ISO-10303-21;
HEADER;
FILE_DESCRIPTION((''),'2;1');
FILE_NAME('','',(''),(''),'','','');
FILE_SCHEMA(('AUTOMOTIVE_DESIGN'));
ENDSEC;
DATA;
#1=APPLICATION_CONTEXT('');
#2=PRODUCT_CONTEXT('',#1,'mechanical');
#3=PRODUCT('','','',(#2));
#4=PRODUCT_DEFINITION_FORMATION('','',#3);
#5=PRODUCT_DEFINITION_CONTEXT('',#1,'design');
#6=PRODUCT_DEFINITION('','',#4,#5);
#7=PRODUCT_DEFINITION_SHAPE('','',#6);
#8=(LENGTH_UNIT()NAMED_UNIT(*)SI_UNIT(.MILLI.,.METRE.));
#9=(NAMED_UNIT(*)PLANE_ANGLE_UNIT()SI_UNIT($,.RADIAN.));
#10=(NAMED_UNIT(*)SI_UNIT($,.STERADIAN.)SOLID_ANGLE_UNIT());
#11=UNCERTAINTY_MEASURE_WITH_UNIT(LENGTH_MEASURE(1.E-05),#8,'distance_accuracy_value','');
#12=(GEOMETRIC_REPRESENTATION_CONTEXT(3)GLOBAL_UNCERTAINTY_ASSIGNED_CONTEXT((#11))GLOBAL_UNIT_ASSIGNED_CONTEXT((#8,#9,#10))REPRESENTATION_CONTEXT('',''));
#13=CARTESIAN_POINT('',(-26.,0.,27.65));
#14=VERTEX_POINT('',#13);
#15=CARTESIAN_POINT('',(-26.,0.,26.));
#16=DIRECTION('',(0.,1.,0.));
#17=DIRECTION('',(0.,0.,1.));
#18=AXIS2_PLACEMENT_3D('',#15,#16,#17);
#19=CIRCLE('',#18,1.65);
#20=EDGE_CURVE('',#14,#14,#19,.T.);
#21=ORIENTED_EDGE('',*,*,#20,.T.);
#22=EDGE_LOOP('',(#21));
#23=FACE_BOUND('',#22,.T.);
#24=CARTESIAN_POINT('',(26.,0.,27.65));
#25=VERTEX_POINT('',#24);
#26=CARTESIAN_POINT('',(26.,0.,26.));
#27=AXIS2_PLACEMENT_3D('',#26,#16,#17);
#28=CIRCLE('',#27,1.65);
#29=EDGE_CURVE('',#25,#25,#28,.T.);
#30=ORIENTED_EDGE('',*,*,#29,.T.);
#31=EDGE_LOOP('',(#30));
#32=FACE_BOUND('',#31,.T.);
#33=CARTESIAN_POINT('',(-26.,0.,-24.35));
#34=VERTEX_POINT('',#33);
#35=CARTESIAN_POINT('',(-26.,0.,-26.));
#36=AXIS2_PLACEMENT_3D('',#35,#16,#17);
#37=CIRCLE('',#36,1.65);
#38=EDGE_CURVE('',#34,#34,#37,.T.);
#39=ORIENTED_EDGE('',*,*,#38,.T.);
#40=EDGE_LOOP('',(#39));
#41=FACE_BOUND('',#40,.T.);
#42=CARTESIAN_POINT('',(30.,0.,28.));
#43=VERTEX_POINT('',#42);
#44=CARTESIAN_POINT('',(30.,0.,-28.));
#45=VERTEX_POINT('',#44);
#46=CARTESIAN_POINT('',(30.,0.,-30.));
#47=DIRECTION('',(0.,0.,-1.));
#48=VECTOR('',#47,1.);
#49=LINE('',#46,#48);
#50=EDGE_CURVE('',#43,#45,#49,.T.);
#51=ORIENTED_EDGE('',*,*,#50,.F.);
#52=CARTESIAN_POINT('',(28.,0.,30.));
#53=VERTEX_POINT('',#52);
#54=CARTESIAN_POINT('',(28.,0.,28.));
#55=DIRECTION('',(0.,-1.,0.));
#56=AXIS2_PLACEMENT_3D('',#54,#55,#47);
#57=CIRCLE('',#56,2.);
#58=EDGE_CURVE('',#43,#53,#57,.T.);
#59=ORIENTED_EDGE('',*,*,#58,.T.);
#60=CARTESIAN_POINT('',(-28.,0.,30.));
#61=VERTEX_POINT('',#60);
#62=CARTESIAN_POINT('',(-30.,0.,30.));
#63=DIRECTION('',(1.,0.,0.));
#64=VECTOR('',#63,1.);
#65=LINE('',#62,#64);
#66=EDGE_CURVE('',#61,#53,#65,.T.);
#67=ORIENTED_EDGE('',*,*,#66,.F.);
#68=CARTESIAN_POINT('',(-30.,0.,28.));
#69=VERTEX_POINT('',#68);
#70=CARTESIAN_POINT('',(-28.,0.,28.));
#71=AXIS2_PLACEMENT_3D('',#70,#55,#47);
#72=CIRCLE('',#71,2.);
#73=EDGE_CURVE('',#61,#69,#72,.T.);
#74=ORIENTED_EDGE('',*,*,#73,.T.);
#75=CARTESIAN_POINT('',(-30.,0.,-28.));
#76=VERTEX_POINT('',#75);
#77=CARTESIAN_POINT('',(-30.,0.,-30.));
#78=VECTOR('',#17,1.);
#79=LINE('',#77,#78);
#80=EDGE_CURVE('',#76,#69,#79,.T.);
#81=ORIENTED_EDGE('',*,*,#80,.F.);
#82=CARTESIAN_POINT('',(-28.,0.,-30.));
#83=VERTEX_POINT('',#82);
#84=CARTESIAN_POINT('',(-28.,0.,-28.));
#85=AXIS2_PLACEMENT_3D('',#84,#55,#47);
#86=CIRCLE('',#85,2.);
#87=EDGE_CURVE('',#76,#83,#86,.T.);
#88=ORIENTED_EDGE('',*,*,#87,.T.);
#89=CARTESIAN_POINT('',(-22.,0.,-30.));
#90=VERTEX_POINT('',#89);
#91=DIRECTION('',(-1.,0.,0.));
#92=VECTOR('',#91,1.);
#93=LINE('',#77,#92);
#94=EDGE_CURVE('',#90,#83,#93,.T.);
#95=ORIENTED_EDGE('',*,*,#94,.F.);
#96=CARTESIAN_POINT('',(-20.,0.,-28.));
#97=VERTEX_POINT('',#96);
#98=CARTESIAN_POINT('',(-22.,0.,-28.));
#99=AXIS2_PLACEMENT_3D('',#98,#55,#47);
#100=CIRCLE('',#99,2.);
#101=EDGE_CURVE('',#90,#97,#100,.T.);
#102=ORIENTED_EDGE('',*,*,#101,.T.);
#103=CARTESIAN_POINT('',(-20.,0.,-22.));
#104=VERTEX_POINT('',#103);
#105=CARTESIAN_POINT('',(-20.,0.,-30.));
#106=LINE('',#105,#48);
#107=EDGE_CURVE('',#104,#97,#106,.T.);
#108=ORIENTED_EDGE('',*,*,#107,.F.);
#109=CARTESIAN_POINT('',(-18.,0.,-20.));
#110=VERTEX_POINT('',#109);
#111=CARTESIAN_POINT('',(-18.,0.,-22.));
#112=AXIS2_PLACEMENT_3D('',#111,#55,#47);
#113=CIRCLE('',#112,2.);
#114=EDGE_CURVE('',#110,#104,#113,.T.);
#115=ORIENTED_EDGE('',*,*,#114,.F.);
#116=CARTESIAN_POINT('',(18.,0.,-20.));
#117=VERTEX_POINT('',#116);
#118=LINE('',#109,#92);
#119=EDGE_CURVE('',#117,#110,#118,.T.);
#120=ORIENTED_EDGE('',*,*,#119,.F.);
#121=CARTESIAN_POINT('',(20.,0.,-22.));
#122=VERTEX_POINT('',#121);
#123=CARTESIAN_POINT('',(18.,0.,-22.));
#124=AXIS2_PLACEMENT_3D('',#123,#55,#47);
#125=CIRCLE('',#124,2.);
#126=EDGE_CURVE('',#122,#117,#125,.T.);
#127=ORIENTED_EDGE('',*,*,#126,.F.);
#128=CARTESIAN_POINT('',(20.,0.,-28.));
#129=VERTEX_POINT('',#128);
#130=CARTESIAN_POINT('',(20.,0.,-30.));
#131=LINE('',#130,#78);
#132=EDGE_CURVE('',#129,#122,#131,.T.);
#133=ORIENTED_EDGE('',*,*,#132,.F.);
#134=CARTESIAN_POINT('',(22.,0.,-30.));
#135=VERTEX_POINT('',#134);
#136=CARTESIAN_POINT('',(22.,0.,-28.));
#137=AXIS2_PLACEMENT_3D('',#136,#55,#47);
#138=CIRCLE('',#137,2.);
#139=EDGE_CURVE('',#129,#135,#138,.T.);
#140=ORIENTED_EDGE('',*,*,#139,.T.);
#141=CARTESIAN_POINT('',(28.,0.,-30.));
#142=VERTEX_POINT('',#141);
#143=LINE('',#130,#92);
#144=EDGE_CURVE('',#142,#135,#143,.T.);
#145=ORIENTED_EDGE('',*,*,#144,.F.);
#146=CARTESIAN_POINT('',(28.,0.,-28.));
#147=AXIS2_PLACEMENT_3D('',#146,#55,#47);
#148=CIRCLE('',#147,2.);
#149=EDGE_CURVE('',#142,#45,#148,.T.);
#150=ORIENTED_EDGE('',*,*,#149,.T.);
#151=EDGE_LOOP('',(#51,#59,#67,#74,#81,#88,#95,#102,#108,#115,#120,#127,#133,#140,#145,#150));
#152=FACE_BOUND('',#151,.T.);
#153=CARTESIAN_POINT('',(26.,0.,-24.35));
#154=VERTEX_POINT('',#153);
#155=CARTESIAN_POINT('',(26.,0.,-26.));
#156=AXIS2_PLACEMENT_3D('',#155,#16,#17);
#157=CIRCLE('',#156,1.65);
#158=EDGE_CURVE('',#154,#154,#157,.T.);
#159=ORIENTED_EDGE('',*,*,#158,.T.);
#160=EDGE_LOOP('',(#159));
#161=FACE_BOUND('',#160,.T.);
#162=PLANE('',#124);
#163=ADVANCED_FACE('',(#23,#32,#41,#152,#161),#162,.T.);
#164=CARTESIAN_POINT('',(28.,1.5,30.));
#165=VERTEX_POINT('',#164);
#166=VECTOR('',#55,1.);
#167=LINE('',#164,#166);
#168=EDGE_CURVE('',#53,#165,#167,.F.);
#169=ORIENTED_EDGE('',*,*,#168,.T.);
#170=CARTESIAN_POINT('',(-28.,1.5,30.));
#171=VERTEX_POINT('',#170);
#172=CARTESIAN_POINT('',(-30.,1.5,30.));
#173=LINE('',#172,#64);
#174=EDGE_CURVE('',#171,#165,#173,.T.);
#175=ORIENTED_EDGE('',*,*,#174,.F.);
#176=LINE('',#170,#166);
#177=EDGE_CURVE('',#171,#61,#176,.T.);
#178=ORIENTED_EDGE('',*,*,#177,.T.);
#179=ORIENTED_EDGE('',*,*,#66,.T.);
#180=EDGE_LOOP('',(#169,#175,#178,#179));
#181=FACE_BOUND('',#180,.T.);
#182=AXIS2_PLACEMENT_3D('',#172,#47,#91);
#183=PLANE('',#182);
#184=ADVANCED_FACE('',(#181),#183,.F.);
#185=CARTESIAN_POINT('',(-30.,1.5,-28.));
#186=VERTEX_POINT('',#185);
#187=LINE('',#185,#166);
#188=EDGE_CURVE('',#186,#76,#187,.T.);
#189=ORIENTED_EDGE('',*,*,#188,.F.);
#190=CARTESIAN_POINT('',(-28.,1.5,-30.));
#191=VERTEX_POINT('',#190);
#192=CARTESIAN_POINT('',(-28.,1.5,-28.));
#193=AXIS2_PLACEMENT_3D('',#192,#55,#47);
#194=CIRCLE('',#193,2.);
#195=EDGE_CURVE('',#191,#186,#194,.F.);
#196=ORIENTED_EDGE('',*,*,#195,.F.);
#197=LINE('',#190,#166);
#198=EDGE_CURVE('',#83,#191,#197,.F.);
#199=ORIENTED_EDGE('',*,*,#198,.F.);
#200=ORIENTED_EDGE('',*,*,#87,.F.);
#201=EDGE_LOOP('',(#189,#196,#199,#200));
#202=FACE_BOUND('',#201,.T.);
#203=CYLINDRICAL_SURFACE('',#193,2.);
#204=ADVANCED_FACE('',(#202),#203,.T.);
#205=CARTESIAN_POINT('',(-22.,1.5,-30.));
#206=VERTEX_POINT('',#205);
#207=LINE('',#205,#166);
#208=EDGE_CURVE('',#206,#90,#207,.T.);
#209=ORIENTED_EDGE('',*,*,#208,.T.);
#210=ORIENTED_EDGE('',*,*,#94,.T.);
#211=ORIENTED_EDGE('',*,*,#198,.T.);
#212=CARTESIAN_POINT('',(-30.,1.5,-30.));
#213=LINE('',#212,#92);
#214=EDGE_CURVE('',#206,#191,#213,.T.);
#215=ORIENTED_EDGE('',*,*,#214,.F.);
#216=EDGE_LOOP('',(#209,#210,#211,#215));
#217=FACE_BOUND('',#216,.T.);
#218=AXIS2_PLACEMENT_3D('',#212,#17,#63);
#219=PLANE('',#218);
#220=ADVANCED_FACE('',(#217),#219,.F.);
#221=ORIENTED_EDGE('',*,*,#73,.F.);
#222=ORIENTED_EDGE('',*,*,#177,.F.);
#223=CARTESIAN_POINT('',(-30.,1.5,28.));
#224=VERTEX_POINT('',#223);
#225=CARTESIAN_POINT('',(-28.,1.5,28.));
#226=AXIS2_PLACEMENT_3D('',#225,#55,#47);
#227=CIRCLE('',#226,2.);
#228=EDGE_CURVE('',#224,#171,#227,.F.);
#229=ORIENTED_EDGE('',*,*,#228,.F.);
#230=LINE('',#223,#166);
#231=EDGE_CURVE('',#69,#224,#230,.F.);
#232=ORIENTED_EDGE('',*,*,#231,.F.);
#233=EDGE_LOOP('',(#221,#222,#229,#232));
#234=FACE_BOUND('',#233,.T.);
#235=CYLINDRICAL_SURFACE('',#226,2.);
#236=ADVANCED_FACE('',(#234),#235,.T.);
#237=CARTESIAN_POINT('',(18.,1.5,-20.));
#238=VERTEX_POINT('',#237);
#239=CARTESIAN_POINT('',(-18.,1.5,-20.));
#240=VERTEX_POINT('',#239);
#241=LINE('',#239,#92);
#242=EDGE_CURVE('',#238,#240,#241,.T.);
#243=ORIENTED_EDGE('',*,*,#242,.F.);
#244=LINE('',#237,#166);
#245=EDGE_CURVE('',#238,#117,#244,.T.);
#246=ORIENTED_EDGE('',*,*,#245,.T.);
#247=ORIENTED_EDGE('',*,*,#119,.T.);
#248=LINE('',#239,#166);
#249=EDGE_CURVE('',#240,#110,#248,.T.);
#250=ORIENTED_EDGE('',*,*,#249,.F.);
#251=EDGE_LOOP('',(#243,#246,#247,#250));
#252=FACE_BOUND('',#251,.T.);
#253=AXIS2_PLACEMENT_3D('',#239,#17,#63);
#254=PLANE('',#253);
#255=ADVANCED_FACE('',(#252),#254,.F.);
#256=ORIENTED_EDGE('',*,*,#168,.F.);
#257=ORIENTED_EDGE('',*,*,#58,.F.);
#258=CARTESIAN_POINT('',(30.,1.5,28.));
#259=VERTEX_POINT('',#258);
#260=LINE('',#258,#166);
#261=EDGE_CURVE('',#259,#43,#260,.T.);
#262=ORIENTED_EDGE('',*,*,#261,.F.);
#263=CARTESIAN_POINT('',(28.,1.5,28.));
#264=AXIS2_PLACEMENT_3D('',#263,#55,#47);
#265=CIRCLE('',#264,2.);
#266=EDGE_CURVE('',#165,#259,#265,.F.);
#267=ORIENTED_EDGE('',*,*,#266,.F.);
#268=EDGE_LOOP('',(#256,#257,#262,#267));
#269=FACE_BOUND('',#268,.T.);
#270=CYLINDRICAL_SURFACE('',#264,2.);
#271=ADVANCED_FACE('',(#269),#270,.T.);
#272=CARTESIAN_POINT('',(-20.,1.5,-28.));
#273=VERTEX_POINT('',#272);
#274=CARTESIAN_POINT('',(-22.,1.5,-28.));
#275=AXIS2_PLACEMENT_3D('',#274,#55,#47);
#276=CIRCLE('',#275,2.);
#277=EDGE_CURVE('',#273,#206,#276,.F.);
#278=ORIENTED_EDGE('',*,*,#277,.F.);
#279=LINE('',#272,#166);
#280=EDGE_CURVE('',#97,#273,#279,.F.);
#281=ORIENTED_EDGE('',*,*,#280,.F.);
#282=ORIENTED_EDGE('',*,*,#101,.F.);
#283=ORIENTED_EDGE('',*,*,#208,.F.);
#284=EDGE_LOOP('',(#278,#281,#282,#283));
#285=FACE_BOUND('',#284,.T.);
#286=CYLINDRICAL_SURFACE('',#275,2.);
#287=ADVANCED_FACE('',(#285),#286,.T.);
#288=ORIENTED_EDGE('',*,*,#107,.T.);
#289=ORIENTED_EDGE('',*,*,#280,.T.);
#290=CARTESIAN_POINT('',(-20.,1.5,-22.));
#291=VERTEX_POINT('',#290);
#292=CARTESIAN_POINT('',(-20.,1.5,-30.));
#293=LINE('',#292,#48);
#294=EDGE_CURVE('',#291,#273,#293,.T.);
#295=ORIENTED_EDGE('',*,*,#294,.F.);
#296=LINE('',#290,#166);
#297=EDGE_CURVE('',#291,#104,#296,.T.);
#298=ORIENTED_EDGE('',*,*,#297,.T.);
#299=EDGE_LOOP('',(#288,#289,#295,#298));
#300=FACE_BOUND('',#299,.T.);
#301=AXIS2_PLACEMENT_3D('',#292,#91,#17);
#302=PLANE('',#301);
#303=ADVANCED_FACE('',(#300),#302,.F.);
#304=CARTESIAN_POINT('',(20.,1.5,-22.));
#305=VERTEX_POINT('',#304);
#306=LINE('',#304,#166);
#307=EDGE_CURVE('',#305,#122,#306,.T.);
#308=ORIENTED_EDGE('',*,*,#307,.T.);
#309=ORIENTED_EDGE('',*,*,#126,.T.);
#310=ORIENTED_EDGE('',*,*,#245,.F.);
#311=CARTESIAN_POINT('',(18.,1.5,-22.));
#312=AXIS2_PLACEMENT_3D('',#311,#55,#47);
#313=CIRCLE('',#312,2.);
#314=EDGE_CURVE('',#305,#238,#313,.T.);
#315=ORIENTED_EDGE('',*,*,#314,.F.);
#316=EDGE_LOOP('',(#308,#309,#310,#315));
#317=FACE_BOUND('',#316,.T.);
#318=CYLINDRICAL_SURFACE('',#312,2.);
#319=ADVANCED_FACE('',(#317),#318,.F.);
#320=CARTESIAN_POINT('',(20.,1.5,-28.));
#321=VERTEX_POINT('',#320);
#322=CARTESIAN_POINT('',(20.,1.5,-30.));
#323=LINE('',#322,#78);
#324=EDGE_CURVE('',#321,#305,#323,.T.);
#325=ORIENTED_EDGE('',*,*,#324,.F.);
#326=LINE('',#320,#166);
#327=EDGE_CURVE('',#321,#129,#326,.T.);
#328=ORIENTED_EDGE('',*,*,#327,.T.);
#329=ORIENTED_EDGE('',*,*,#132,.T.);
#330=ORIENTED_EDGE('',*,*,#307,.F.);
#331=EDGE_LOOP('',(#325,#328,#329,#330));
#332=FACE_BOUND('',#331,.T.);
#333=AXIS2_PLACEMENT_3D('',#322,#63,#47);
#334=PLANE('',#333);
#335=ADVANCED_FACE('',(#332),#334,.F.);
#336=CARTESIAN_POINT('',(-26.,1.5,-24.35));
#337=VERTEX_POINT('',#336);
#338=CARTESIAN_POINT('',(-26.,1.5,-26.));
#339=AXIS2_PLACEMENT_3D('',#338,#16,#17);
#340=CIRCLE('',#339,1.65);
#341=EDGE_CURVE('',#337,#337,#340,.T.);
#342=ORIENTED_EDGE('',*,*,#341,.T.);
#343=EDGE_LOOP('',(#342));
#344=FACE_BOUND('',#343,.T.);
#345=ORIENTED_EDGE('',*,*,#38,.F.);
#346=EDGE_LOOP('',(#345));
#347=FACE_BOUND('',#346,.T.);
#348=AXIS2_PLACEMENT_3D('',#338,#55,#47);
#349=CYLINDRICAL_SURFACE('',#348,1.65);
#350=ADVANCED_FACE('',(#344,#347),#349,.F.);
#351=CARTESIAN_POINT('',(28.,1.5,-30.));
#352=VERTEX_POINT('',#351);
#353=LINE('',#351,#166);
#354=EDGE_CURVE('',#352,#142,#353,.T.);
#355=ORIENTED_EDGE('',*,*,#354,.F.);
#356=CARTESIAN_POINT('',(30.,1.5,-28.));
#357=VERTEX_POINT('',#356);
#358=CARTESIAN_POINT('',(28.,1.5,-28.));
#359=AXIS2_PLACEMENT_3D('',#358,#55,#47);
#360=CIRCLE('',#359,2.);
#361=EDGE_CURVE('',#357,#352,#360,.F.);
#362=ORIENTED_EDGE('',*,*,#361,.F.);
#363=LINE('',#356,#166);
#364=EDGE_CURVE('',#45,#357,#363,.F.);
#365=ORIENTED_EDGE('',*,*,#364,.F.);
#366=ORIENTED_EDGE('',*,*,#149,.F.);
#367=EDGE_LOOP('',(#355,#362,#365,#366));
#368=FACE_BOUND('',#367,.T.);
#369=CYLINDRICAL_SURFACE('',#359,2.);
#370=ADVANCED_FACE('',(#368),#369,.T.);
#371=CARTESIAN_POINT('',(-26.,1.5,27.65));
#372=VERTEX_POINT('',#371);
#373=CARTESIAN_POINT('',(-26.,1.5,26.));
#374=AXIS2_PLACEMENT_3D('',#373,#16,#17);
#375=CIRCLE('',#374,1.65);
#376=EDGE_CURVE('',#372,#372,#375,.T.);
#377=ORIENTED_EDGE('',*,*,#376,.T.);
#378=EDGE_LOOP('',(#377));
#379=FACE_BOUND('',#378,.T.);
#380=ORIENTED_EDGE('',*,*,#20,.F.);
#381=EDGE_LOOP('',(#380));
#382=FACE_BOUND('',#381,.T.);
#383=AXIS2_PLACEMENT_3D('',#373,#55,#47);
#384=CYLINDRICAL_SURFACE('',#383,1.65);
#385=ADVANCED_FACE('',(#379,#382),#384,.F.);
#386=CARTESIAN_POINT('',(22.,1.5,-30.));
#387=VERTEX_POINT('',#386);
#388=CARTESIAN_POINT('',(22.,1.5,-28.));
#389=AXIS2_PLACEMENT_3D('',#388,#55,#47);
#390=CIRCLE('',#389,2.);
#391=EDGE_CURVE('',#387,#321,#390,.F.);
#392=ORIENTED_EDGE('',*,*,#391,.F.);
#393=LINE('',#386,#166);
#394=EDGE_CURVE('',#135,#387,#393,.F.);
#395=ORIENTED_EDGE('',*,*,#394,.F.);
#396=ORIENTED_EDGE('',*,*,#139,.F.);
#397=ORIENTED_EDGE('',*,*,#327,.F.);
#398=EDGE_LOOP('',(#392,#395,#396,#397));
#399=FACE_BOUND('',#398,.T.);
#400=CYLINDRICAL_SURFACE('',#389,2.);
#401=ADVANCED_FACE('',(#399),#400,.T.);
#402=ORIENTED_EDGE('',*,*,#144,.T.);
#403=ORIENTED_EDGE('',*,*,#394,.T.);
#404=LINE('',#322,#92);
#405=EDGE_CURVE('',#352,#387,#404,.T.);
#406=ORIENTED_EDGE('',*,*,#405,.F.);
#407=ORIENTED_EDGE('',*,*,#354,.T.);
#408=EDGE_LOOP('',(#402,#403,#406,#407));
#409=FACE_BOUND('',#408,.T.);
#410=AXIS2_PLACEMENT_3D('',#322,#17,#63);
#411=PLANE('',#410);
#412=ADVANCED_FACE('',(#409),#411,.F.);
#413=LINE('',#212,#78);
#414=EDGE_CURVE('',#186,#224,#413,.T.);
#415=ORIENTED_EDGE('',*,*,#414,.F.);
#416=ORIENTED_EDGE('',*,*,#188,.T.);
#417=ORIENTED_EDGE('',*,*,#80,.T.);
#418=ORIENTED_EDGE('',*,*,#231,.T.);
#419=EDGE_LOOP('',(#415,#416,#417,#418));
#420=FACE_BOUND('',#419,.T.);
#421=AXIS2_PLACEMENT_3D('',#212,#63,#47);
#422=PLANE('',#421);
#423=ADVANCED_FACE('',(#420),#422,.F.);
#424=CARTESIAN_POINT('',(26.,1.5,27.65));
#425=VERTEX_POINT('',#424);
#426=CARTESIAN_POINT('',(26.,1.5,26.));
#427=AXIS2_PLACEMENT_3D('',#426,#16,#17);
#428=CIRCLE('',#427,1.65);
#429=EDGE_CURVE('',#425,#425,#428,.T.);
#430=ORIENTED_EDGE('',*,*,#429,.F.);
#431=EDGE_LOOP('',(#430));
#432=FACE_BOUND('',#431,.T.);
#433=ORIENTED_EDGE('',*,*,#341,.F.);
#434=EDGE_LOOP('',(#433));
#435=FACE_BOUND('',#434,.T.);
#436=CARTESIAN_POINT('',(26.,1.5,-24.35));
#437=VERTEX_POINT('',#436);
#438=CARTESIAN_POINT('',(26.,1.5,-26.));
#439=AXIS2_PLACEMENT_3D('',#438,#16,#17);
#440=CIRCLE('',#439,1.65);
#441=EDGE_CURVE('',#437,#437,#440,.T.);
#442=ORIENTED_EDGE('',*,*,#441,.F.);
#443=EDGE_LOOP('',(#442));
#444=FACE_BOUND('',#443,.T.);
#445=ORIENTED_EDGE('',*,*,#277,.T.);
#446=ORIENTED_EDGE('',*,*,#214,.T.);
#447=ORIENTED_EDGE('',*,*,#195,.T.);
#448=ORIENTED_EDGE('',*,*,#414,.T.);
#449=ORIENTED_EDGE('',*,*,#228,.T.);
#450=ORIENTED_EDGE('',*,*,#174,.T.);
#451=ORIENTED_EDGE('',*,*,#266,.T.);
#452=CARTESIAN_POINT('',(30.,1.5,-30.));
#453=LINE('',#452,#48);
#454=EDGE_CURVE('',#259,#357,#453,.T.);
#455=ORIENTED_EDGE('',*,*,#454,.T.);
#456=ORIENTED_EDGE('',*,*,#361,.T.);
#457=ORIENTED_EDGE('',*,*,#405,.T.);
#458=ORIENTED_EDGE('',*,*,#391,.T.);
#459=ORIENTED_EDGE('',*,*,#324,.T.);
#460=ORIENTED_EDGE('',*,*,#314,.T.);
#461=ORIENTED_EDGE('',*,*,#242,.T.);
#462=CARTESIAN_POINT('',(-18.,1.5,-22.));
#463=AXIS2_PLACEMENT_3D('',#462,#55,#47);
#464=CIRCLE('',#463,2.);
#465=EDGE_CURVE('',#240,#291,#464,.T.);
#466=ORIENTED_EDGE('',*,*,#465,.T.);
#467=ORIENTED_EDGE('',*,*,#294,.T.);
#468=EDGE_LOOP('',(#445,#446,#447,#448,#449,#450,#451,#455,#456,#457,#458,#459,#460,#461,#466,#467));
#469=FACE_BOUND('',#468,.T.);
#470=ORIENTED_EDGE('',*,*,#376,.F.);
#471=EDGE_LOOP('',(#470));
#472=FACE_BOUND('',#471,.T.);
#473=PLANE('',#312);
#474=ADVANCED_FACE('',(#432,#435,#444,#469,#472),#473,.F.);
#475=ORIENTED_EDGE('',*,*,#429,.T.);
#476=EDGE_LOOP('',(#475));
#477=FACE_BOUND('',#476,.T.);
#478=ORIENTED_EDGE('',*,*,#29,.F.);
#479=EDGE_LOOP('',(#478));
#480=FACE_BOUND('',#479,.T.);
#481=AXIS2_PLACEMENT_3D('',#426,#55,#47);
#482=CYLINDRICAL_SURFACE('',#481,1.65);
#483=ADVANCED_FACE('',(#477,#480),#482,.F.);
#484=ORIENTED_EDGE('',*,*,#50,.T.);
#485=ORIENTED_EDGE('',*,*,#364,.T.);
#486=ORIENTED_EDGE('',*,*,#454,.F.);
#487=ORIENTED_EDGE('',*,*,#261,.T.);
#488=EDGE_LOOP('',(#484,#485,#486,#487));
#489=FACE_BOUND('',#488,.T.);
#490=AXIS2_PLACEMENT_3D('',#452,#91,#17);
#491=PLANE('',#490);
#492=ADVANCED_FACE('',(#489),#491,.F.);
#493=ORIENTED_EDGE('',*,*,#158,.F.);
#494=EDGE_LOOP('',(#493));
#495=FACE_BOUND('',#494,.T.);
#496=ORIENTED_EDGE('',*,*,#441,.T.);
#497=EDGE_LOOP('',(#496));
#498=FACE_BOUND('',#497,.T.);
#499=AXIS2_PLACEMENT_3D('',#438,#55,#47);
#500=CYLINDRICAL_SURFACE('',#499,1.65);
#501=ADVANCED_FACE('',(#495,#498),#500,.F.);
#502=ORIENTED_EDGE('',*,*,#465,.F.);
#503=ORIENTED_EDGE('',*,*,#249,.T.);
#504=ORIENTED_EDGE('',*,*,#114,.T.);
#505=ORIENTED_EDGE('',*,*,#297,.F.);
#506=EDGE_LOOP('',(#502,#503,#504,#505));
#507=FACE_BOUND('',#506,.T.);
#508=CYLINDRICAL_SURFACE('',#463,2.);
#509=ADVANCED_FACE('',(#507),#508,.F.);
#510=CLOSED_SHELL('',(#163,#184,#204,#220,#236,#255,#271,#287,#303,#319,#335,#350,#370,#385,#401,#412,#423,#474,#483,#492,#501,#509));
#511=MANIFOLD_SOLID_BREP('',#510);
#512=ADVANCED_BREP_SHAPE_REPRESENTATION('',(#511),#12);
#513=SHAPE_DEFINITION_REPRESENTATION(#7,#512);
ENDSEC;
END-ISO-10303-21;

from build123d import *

# Parameters (mm, degrees)
SKETCH_1_R      = 1.65
EXTRUDE_1_DEPTH = 1.5
FILLET_1_R      = 2
FILLET_2_R      = 2


with BuildPart() as part:
    # Эскиз1 → Бобышка-Вытянуть1 (new body)
    with BuildSketch(Plane(origin=(0, 0, 0), x_dir=(1, 0, 0), z_dir=(0, 1, 0))):
        with BuildLine():
            Line((20, 30), (30, 30))
            Line((30, 30), (30, -30))
            Line((30, -30), (-30, -30))
            Line((-30, -30), (-30, 30))
            Line((-30, 30), (-20, 30))
            Line((-20, 30), (-20, 22))
            ThreePointArc((-20, 22), (-19.414213562, 20.585786438), (-18, 20))
            Line((-18, 20), (18, 20))
            ThreePointArc((18, 20), (19.414213562, 20.585786438), (20, 22))
            Line((20, 22), (20, 30))
        make_face()
        with Locations(Location((-26, 26, 0), (0, 0, 270))):
            Circle(SKETCH_1_R, mode=Mode.SUBTRACT)
        with Locations(Location((26, 26, 0), (0, 0, 270))):
            Circle(SKETCH_1_R, mode=Mode.SUBTRACT)
        with Locations(Location((-26, -26, 0), (0, 0, 270))):
            Circle(SKETCH_1_R, mode=Mode.SUBTRACT)
        with Locations(Location((26, -26, 0), (0, 0, 270))):
            Circle(SKETCH_1_R, mode=Mode.SUBTRACT)
    extrude(amount=EXTRUDE_1_DEPTH)

    # Скругление1
    fillet_1_edges = [part.edges().sort_by_distance(p)[0] for p in [
        (-30, 0.75, 30),
    ]]
    fillet(fillet_1_edges, radius=FILLET_1_R)

    # Скругление2
    fillet_2_edges = [part.edges().sort_by_distance(p)[0] for p in [
        (-30, 0.75, -30),
        (-20, 0.75, -30),
        (20, 0.75, -30),
        (30, 0.75, -30),
        (30, 0.75, 30),
    ]]
    fillet(fillet_2_edges, radius=FILLET_2_R)


solid = part.part
